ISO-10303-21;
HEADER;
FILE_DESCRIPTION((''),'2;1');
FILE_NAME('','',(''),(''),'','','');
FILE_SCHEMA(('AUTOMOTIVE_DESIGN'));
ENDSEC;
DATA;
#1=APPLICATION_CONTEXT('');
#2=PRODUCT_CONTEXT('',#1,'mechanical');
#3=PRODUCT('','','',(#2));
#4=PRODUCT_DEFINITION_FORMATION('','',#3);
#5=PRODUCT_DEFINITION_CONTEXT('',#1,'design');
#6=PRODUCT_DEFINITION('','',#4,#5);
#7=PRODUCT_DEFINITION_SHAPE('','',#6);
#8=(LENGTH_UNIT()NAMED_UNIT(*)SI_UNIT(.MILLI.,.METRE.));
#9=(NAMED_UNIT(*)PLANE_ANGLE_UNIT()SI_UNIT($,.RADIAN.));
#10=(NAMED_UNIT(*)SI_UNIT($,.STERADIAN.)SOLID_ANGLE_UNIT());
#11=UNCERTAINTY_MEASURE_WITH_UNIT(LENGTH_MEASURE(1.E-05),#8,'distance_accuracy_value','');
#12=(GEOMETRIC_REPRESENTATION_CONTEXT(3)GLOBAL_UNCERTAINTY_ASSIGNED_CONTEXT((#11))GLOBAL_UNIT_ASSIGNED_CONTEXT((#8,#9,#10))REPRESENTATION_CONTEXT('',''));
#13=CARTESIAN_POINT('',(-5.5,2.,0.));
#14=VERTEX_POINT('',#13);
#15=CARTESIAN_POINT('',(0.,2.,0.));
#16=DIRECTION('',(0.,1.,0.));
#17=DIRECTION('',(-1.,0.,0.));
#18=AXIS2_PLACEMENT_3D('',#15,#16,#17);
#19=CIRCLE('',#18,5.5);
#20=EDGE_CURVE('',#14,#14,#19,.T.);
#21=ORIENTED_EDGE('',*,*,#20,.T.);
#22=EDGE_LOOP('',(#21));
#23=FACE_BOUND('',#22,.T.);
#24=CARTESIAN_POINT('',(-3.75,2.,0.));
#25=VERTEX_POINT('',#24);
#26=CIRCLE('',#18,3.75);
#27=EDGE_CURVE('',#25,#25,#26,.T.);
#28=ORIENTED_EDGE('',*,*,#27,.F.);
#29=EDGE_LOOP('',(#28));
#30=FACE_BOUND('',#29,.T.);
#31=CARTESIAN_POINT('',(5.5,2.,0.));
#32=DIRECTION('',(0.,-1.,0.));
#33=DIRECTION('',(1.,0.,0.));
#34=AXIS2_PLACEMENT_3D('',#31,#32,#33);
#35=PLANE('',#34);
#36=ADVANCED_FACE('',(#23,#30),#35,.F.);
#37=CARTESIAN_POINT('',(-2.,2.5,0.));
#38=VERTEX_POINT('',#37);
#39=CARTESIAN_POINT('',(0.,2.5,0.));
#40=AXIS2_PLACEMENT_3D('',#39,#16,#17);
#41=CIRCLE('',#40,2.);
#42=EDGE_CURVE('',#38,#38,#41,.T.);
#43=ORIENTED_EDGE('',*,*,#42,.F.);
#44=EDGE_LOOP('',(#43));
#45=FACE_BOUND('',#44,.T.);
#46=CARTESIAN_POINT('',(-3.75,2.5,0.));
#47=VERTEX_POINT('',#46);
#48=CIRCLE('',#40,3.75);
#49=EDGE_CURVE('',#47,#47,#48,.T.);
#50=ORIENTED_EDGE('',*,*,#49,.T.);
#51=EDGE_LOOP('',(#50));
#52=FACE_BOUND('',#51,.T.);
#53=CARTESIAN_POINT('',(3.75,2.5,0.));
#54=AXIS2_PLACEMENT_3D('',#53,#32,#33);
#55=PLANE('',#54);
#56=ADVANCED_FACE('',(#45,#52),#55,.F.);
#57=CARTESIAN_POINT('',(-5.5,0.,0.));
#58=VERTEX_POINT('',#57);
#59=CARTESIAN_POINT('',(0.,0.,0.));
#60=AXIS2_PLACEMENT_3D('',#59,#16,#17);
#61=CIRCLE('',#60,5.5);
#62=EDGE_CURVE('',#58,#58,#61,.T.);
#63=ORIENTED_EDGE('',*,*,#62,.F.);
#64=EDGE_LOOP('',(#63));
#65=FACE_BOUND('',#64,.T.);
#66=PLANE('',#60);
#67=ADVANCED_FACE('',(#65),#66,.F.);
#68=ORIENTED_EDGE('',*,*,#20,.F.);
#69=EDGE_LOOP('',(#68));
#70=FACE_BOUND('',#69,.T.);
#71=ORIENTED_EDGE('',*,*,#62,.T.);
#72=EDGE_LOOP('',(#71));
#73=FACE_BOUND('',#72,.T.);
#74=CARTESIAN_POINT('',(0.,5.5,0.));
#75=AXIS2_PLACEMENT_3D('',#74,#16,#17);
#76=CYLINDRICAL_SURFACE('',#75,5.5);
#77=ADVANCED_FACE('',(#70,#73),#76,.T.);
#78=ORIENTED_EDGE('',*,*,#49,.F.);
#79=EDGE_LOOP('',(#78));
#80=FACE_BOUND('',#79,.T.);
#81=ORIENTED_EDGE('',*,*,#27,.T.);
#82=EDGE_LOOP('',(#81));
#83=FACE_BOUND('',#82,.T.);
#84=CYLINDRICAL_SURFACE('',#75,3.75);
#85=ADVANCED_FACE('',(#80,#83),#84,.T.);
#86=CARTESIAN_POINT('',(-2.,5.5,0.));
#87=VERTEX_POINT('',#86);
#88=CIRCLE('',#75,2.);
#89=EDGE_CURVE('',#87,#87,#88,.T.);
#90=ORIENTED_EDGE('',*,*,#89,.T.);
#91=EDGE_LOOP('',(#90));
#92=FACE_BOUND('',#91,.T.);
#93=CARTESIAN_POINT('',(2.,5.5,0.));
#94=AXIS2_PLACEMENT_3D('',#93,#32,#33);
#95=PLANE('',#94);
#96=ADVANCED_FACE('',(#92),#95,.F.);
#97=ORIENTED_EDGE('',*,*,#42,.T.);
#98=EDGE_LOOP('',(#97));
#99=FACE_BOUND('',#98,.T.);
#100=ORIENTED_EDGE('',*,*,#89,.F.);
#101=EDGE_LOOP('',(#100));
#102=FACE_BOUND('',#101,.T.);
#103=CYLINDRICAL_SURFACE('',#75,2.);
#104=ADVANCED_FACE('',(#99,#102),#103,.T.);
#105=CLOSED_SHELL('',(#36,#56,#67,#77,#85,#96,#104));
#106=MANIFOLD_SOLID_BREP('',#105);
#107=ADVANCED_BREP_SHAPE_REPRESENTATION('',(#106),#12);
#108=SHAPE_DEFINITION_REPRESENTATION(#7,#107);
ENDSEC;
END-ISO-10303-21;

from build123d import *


with BuildPart() as part:
    # Sketch1 → Revolve1 (revolve)
    with BuildSketch(Plane.XY, mode=Mode.PRIVATE) as revolve1_sk:
        Polygon((0, 0), (5.5, 0), (5.5, 2), (3.75, 2), (3.75, 2.5), (2, 2.5), (2, 5.5), (0, 5.5), align=None)
    revolve(revolve1_sk.sketch.rotate(Axis((0, 5.5, 0), (0, -1, 0)), 180), axis=Axis((0, 5.5, 0), (0, -1, 0)))


solid = part.part
